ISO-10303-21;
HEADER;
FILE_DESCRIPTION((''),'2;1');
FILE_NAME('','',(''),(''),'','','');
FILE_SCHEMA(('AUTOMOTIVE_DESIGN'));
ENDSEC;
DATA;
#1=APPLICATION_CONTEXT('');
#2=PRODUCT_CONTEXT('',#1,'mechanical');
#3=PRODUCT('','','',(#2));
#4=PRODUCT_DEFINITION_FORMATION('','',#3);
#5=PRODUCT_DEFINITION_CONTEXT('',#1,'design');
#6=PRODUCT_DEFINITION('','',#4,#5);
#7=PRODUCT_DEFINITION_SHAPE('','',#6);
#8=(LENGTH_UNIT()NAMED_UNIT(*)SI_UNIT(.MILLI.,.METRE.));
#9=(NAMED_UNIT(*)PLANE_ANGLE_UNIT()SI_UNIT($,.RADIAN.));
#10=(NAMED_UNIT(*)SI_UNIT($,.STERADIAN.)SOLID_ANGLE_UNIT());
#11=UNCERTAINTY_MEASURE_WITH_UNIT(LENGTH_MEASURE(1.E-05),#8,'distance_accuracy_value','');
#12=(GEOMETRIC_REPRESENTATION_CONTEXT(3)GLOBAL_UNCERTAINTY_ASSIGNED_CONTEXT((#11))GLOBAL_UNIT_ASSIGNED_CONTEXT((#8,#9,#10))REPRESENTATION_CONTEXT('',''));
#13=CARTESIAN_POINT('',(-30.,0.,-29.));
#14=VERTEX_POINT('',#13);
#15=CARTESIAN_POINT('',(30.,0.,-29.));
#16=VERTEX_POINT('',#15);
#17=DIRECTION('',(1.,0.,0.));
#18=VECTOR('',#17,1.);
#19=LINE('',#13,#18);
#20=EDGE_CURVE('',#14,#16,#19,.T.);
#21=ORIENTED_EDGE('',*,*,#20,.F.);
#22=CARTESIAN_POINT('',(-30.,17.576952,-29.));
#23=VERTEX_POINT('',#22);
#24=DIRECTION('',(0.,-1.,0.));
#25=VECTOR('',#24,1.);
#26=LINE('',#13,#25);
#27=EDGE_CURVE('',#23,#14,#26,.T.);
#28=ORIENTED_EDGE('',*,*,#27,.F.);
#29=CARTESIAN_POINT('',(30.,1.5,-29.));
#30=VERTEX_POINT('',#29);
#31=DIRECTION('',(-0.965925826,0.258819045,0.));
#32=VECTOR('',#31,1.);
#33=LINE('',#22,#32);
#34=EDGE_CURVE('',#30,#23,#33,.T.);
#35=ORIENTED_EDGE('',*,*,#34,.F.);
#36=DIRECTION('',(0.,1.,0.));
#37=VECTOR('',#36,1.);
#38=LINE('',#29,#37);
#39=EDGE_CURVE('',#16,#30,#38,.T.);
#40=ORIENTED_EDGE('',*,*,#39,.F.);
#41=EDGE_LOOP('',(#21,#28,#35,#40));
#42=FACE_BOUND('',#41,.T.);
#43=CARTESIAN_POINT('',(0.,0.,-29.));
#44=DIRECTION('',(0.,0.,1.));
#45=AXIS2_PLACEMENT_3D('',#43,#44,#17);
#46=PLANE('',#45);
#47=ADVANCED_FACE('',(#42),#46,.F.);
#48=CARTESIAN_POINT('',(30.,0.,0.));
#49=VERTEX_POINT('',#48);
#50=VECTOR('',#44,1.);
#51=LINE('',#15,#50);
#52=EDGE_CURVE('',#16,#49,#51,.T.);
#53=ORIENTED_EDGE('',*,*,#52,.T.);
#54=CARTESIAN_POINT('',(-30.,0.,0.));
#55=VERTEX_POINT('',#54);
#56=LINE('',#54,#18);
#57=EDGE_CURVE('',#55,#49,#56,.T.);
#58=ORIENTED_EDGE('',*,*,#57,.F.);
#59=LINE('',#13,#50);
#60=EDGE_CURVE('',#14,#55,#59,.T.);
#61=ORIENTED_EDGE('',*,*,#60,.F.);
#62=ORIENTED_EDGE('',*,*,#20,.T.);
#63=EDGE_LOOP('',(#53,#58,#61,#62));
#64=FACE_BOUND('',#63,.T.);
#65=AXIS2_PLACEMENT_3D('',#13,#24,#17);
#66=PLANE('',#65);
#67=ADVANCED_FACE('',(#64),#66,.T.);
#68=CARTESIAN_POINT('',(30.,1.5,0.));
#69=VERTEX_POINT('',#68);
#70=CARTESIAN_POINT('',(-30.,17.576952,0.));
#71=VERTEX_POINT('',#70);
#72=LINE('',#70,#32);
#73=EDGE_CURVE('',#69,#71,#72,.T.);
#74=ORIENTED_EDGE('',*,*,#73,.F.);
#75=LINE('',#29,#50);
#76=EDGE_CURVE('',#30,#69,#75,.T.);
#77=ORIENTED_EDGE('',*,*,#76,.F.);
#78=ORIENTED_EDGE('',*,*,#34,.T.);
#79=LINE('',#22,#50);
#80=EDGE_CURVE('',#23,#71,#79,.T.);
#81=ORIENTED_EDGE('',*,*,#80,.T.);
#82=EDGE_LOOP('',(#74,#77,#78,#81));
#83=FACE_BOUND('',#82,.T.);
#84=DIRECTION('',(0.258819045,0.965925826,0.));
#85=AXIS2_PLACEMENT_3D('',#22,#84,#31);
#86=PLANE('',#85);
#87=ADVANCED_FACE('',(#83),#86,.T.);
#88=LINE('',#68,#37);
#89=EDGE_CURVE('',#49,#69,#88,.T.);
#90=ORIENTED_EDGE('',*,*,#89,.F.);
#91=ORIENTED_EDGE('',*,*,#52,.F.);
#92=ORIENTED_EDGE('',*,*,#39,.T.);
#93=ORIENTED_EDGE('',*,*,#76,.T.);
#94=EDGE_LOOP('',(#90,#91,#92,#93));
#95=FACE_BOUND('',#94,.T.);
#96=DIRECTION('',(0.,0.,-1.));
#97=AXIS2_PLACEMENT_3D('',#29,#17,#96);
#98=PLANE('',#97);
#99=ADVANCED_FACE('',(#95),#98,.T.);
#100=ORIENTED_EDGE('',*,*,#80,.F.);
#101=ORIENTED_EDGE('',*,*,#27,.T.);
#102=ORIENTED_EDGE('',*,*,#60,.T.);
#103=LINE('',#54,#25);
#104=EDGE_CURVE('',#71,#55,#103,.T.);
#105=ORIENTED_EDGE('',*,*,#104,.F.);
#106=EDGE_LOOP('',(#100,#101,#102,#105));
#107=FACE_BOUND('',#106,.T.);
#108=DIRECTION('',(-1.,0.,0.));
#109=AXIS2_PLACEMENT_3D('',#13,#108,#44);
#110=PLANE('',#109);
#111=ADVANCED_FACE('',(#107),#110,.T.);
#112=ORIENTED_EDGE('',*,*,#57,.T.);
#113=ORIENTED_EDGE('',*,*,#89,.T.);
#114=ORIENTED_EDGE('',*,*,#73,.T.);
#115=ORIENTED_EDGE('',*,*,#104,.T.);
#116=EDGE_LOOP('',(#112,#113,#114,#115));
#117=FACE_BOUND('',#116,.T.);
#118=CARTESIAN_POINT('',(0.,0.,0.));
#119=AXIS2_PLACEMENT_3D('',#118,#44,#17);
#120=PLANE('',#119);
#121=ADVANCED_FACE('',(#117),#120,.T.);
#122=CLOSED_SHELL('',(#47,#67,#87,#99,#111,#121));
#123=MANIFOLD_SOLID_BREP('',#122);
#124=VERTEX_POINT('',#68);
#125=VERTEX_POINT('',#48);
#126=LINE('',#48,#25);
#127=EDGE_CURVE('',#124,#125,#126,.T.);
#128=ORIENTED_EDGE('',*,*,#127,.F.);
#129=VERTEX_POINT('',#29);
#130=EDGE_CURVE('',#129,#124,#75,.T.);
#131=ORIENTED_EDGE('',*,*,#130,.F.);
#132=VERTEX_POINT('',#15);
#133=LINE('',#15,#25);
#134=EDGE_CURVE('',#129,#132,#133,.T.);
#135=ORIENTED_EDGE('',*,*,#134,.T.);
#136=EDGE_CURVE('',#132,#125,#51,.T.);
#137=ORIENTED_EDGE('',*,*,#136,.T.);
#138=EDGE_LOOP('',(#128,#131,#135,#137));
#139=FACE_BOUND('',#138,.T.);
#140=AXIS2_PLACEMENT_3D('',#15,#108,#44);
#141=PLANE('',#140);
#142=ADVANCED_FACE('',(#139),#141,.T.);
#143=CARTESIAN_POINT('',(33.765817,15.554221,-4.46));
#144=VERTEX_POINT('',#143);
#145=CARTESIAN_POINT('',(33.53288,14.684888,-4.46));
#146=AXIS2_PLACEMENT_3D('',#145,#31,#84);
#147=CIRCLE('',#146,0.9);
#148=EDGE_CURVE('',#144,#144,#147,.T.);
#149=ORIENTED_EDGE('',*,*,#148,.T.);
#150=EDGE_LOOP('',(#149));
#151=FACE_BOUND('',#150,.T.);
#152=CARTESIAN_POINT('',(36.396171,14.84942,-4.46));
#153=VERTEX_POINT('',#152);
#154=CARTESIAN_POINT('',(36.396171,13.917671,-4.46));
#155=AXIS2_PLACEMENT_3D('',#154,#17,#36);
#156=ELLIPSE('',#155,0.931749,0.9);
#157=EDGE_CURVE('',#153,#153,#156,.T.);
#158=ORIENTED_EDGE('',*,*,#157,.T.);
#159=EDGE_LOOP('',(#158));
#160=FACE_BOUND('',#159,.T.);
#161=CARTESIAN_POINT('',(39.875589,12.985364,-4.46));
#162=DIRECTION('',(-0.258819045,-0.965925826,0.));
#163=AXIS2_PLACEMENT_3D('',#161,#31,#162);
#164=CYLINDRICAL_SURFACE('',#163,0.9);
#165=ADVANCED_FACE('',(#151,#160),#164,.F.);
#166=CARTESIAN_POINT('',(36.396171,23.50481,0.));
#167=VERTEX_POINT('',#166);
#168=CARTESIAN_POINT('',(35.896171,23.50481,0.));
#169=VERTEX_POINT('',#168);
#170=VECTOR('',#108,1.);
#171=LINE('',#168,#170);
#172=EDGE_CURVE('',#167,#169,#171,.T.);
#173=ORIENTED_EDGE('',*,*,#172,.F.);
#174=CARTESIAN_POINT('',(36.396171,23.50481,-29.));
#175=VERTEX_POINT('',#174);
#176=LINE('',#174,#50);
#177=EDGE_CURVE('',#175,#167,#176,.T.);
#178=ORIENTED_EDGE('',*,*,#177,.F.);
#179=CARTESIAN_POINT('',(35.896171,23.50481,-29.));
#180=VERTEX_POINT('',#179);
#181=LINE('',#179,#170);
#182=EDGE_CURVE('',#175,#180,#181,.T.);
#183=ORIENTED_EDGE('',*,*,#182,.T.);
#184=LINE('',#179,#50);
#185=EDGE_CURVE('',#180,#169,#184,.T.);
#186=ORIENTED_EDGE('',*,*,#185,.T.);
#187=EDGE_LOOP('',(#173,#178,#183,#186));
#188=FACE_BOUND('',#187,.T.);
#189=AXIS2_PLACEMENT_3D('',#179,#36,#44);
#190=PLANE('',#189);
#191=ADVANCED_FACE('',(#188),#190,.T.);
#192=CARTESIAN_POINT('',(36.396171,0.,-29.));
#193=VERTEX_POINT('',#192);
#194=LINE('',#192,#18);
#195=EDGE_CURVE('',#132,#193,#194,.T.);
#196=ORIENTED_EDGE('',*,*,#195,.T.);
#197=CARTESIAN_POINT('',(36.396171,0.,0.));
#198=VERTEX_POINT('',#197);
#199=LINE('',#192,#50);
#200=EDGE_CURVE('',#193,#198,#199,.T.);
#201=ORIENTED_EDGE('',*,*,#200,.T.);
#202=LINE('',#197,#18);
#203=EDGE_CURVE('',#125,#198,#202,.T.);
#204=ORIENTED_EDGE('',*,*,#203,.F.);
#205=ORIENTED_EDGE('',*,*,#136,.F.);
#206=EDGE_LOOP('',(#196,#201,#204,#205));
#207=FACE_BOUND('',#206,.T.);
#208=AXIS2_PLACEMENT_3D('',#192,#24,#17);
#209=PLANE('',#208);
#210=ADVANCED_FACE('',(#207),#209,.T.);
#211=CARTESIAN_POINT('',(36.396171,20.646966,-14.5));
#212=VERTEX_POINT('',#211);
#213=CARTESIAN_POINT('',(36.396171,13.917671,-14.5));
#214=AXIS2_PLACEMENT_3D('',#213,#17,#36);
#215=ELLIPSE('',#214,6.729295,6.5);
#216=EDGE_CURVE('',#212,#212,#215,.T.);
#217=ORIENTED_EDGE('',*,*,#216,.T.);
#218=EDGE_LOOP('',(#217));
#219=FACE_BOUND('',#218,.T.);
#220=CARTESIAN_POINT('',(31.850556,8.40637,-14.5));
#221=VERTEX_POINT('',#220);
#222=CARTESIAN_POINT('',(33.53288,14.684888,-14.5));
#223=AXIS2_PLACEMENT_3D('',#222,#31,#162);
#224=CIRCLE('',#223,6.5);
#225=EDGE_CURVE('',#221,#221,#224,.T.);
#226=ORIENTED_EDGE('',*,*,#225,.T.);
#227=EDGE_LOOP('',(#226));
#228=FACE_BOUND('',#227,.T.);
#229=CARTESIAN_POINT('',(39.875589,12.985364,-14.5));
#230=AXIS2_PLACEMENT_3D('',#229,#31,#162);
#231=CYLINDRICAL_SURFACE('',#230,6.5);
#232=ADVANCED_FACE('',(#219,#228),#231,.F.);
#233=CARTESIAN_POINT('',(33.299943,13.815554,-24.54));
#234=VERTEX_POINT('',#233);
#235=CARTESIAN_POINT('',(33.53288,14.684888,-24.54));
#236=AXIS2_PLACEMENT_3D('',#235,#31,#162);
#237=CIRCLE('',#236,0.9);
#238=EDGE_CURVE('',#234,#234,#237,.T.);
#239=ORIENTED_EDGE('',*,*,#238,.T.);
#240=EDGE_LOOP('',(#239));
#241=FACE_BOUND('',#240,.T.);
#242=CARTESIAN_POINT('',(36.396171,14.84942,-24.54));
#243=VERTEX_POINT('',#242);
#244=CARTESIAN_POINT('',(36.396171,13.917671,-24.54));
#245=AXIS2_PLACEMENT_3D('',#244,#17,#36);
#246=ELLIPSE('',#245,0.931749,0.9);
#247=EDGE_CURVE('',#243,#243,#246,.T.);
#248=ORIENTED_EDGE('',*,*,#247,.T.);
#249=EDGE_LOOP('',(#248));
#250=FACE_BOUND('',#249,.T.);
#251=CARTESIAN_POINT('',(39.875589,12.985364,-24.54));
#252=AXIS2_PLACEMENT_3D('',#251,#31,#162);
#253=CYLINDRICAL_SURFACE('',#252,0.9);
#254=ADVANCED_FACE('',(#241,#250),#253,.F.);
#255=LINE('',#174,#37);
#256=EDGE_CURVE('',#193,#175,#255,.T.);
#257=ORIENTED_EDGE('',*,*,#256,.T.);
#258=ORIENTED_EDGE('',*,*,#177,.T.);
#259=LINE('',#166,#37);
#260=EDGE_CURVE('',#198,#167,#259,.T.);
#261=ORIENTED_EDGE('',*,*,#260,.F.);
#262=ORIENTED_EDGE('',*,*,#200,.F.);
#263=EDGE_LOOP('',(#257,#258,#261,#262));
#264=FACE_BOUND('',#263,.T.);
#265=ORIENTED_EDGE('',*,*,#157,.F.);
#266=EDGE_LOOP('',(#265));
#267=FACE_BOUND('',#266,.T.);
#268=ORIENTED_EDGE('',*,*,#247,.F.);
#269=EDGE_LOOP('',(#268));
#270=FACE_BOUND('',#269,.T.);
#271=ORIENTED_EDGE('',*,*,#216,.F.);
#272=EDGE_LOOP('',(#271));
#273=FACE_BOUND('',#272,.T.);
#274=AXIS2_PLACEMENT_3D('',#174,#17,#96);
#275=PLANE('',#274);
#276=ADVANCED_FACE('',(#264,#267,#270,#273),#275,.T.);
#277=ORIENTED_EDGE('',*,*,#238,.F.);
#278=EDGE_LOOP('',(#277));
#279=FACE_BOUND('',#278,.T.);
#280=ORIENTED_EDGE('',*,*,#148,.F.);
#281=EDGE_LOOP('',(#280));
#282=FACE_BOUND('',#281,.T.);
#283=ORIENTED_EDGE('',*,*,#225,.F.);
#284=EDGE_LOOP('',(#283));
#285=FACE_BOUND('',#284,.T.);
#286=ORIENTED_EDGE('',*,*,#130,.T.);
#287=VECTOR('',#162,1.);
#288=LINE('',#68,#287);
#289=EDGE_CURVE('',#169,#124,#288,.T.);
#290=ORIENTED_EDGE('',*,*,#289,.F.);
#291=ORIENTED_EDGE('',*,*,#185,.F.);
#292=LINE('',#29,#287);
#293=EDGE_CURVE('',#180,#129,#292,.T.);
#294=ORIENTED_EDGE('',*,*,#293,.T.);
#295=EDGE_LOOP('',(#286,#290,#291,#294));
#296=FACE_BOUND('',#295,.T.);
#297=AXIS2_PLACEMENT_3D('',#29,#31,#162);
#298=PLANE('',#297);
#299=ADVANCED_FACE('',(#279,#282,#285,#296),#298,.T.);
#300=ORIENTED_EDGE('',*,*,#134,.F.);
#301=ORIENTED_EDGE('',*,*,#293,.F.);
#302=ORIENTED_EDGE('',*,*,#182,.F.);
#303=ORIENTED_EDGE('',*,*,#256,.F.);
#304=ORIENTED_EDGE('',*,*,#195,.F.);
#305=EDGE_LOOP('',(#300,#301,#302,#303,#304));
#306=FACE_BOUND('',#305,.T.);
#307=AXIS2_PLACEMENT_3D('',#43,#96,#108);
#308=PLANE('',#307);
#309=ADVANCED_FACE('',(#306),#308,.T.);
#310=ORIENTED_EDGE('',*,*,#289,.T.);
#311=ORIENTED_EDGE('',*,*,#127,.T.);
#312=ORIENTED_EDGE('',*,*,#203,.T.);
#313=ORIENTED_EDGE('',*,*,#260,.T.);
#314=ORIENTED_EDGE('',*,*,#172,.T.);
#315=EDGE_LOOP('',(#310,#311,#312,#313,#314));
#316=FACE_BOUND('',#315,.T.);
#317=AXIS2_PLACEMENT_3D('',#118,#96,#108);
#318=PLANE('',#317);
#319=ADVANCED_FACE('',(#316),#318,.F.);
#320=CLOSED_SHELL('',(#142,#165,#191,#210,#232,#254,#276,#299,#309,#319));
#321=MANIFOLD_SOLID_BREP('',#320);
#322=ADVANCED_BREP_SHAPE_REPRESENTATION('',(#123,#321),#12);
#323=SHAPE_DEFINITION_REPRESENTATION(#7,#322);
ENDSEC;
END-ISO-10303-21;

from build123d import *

# Parameters (mm, degrees)
SALIENTE_EXTRUIR1_DEPTH = 29
SALIENTE_EXTRUIR2_DEPTH = 29
CROQUIS6_R              = 6.5
CORTAR_EXTRUIR1_DEPTH   = 72.523490549
CROQUIS9_R              = 6.5
CROQUIS9_R_2            = 0.9
CORTAR_EXTRUIR2_DEPTH   = 72.523490549


with BuildPart() as part:
    # Croquis1 → Saliente-Extruir1 (new body)
    with BuildSketch(Plane.XY):
        Polygon((-30, 0), (30, 0), (30, 1.5), (-30, 17.576951546), align=None)
    extrude(amount=-SALIENTE_EXTRUIR1_DEPTH)


with BuildPart() as body_2:
    # Croquis3 → Saliente-Extruir2 (new body)
    with BuildSketch(Plane.XY):
        Polygon((30, 0), (30, 1.5), (35.89617112, 23.50481019), (36.39617112, 23.50481019), (36.39617112, 0), align=None)
    extrude(amount=-SALIENTE_EXTRUIR2_DEPTH)

    # Croquis6 → Cortar-Extruir1 (cut, through all)
    with BuildSketch(Plane(origin=(27.615381057, -7.399519053, 0), x_dir=(0, 0, 1), z_dir=(-0.9659258262890692, 0.25881904510251774, 0))):
        with Locations(Location((-14.5, 22.863460093, 0), (0, 0, 270))):
            Circle(CROQUIS6_R)
    extrude(amount=-CORTAR_EXTRUIR1_DEPTH, mode=Mode.SUBTRACT)

    # Croquis9 → Cortar-Extruir2 (cut, through all)
    with BuildSketch(Plane(origin=(27.615381057, -7.399519053, 0), x_dir=(0, 0, 1), z_dir=(-0.9659258262890692, 0.25881904510251774, 0))):
        with Locations(Location((-14.5, 22.863460093, 0), (0, 0, 270))):
            Circle(CROQUIS9_R)
        with Locations(Location((-24.54, 22.863460093, 0), (0, 0, 270))):
            Circle(CROQUIS9_R_2)
        with Locations(Location((-4.46, 22.863460093, 0), (0, 0, 90))):
            Circle(CROQUIS9_R_2)
    extrude(amount=-CORTAR_EXTRUIR2_DEPTH, mode=Mode.SUBTRACT)


solid = Compound([part.part, body_2.part])
